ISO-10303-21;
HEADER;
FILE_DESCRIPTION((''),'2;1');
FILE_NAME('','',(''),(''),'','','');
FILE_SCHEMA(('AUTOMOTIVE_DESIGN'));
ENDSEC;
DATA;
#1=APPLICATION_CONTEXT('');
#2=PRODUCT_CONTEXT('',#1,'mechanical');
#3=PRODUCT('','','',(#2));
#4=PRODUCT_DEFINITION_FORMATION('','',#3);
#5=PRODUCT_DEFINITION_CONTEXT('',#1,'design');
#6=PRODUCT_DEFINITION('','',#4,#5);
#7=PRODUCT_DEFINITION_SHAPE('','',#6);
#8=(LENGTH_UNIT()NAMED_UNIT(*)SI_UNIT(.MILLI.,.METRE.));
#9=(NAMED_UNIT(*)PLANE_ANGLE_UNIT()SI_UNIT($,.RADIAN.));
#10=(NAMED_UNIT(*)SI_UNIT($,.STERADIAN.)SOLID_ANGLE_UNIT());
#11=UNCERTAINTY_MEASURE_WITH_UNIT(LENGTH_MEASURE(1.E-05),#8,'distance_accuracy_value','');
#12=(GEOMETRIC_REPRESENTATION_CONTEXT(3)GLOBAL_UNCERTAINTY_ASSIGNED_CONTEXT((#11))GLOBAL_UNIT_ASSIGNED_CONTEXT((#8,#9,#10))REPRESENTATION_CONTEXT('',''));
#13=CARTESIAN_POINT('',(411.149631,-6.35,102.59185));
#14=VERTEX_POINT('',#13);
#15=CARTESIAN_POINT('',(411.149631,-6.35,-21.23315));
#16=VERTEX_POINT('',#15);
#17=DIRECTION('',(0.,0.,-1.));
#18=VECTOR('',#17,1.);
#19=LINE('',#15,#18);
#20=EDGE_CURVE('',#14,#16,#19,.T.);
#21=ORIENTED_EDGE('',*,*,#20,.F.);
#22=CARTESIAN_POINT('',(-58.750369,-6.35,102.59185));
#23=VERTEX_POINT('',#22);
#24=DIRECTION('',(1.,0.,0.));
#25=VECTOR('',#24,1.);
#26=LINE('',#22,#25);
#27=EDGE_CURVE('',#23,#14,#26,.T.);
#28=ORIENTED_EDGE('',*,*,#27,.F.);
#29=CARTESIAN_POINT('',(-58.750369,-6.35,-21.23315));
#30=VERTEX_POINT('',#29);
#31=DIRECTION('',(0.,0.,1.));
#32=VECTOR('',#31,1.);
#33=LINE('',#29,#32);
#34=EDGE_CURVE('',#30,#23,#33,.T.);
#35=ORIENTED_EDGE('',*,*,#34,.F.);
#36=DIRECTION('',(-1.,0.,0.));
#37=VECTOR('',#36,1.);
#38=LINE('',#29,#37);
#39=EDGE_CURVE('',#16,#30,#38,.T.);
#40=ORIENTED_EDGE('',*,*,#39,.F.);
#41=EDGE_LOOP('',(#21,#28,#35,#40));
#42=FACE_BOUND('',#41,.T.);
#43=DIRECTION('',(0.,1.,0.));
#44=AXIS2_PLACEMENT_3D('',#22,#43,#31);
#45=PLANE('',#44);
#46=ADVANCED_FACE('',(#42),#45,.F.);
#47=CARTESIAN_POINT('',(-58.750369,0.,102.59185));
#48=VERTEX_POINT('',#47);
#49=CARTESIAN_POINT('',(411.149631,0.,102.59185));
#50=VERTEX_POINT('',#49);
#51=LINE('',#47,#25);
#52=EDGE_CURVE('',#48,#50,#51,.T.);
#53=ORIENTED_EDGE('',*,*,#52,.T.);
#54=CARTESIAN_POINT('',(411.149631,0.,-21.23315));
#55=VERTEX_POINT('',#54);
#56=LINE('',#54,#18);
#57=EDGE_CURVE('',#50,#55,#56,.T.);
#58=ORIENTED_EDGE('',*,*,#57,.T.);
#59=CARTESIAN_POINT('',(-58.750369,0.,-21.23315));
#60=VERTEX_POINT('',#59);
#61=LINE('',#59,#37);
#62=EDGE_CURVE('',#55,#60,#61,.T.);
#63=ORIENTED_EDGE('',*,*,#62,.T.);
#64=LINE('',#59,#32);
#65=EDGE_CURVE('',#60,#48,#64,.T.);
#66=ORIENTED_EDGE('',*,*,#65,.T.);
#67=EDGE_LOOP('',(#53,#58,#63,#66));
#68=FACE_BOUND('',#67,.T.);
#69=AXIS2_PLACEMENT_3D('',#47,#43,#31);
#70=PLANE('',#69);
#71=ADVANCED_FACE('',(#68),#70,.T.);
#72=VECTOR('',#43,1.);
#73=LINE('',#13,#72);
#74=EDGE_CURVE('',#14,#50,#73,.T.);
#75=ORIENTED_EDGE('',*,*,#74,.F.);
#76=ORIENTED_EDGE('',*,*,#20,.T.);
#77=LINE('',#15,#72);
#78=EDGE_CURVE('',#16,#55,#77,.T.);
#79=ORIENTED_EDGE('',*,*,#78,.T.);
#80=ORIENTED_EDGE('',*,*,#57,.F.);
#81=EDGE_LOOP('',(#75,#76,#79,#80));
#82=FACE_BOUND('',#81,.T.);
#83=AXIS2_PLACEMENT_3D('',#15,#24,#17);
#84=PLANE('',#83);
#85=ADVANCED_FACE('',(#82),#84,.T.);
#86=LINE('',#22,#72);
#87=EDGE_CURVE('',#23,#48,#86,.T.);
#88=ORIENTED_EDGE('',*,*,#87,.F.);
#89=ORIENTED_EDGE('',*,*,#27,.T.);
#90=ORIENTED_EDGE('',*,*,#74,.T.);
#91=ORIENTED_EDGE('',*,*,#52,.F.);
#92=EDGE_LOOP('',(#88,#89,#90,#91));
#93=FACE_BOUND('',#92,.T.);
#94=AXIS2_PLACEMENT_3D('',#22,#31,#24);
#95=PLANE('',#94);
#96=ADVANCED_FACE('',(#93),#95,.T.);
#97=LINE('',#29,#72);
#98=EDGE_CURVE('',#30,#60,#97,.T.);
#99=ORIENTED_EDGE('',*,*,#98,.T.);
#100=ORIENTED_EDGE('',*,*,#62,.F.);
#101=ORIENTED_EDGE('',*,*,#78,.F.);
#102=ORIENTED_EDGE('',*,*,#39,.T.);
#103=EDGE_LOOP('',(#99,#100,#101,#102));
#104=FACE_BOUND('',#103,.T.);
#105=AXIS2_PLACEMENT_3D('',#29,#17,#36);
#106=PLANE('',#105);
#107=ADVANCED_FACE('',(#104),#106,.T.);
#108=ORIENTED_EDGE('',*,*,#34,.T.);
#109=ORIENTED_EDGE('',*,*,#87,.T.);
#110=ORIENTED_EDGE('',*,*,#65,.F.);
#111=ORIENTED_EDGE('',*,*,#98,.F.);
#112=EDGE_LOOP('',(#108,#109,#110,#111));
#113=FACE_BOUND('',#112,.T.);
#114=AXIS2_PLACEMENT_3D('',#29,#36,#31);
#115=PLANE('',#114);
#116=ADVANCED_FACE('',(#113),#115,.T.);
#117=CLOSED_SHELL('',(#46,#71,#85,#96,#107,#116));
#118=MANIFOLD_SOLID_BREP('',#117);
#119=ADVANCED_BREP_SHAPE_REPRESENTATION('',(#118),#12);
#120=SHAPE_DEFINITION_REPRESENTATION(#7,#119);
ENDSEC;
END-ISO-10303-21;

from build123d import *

# Parameters (mm, degrees)
SKETCH1_W           = 469.9
SKETCH1_H           = 123.825
BOSS_EXTRUDE1_DEPTH = 6.35


with BuildPart() as part:
    # Sketch1 → Boss-Extrude1 (new body)
    with BuildSketch(Plane(origin=(0, 0, 0), x_dir=(1, 0, 0), z_dir=(0, 1, 0))):
        with Locations((176.199631458, -40.6793505)):
            Rectangle(SKETCH1_W, SKETCH1_H)
    extrude(amount=-BOSS_EXTRUDE1_DEPTH)


solid = part.part
